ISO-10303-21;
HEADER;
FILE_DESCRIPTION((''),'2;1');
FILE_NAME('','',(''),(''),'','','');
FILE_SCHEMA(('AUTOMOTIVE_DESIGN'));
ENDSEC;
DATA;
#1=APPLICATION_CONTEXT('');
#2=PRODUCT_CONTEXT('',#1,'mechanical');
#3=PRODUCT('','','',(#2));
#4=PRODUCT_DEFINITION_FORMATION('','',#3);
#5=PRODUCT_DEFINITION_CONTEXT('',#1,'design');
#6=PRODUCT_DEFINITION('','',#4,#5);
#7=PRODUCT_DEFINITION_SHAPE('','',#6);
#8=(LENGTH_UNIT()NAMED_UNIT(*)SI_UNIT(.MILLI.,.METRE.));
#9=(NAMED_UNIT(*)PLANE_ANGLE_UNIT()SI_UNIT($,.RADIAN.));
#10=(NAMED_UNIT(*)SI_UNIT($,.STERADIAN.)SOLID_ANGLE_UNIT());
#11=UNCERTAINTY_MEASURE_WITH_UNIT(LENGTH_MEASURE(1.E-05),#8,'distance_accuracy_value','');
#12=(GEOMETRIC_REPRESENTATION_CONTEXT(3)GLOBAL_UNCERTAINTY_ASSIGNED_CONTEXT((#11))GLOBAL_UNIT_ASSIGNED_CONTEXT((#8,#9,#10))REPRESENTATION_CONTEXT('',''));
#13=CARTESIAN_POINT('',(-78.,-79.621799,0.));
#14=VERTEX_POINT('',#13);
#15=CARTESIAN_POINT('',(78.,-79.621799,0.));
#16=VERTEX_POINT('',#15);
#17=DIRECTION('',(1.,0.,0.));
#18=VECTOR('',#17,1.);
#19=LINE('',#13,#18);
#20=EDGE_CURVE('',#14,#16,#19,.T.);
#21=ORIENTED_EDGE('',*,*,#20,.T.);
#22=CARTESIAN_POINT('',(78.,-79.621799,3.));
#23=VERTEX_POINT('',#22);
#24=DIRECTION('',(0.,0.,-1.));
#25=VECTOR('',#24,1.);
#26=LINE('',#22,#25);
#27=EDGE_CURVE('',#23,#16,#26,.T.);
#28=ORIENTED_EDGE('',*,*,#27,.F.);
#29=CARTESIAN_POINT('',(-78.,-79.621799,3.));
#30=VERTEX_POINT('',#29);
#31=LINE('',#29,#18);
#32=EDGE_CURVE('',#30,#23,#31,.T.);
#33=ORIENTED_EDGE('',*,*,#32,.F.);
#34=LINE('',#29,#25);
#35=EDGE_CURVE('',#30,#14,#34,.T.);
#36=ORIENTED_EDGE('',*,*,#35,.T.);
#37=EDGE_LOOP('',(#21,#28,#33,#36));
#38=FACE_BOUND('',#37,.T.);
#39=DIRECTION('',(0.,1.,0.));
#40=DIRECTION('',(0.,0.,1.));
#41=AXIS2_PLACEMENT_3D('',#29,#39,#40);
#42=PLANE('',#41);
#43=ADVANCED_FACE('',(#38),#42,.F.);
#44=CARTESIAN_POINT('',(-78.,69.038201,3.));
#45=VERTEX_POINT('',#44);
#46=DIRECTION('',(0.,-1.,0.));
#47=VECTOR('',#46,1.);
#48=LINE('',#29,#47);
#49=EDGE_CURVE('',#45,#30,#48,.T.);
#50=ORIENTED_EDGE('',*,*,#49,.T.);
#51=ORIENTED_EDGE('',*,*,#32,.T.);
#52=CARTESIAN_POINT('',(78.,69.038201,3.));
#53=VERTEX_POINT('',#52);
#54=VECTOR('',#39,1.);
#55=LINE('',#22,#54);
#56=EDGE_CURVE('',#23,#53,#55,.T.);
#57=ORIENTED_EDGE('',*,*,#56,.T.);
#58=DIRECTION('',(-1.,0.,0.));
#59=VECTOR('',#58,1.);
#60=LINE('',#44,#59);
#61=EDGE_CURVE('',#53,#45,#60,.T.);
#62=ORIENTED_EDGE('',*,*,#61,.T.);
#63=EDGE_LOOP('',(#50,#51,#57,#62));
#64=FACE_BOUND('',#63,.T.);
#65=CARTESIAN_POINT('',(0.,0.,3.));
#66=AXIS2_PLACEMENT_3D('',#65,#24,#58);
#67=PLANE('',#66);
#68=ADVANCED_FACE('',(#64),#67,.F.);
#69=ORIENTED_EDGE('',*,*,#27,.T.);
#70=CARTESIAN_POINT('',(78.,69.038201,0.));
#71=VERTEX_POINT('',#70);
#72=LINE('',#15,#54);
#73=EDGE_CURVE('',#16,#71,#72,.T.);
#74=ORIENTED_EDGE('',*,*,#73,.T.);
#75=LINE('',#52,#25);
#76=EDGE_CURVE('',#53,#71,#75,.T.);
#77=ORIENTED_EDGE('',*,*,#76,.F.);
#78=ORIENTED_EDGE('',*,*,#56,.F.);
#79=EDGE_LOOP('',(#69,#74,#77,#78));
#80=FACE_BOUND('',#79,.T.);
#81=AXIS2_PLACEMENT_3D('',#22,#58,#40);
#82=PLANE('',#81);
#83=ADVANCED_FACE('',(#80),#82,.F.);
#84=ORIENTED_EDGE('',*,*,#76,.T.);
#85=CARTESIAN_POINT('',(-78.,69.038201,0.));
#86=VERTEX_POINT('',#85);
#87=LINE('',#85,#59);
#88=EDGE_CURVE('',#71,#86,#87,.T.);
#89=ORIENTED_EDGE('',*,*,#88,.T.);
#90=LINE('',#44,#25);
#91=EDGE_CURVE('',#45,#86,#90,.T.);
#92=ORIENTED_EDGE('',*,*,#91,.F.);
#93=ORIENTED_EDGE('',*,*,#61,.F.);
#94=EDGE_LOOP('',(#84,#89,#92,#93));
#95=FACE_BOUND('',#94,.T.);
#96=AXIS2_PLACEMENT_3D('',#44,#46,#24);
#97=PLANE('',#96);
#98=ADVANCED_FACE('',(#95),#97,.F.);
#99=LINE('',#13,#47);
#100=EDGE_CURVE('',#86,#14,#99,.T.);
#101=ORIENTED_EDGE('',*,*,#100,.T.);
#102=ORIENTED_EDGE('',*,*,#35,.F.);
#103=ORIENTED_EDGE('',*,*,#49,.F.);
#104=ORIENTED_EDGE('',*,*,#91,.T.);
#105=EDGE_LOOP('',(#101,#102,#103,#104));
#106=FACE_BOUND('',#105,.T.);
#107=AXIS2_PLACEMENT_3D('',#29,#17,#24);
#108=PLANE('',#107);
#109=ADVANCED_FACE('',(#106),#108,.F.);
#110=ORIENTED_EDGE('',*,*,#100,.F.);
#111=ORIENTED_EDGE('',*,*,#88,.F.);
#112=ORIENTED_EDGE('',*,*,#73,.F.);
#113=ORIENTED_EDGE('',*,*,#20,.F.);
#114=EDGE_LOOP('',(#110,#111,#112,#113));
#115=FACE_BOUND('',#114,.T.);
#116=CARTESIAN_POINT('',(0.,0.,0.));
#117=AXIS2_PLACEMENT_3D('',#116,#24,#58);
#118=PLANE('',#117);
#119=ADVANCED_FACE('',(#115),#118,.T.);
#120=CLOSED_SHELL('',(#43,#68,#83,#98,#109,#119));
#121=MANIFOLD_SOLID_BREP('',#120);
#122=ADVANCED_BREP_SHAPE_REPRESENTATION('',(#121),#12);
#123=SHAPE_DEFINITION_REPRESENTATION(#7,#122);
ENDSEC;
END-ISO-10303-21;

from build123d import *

# Parameters (mm, degrees)
ESQUISSE1_W        = 156
ESQUISSE1_H        = 148.66
BOSS_EXTRU_1_DEPTH = 3


with BuildPart() as part:
    # Esquisse1 → Boss.-Extru.1 (new body)
    with BuildSketch(Plane.XY):
        with Locations((0, -5.291798743)):
            Rectangle(ESQUISSE1_W, ESQUISSE1_H)
    extrude(amount=BOSS_EXTRU_1_DEPTH)


solid = part.part
